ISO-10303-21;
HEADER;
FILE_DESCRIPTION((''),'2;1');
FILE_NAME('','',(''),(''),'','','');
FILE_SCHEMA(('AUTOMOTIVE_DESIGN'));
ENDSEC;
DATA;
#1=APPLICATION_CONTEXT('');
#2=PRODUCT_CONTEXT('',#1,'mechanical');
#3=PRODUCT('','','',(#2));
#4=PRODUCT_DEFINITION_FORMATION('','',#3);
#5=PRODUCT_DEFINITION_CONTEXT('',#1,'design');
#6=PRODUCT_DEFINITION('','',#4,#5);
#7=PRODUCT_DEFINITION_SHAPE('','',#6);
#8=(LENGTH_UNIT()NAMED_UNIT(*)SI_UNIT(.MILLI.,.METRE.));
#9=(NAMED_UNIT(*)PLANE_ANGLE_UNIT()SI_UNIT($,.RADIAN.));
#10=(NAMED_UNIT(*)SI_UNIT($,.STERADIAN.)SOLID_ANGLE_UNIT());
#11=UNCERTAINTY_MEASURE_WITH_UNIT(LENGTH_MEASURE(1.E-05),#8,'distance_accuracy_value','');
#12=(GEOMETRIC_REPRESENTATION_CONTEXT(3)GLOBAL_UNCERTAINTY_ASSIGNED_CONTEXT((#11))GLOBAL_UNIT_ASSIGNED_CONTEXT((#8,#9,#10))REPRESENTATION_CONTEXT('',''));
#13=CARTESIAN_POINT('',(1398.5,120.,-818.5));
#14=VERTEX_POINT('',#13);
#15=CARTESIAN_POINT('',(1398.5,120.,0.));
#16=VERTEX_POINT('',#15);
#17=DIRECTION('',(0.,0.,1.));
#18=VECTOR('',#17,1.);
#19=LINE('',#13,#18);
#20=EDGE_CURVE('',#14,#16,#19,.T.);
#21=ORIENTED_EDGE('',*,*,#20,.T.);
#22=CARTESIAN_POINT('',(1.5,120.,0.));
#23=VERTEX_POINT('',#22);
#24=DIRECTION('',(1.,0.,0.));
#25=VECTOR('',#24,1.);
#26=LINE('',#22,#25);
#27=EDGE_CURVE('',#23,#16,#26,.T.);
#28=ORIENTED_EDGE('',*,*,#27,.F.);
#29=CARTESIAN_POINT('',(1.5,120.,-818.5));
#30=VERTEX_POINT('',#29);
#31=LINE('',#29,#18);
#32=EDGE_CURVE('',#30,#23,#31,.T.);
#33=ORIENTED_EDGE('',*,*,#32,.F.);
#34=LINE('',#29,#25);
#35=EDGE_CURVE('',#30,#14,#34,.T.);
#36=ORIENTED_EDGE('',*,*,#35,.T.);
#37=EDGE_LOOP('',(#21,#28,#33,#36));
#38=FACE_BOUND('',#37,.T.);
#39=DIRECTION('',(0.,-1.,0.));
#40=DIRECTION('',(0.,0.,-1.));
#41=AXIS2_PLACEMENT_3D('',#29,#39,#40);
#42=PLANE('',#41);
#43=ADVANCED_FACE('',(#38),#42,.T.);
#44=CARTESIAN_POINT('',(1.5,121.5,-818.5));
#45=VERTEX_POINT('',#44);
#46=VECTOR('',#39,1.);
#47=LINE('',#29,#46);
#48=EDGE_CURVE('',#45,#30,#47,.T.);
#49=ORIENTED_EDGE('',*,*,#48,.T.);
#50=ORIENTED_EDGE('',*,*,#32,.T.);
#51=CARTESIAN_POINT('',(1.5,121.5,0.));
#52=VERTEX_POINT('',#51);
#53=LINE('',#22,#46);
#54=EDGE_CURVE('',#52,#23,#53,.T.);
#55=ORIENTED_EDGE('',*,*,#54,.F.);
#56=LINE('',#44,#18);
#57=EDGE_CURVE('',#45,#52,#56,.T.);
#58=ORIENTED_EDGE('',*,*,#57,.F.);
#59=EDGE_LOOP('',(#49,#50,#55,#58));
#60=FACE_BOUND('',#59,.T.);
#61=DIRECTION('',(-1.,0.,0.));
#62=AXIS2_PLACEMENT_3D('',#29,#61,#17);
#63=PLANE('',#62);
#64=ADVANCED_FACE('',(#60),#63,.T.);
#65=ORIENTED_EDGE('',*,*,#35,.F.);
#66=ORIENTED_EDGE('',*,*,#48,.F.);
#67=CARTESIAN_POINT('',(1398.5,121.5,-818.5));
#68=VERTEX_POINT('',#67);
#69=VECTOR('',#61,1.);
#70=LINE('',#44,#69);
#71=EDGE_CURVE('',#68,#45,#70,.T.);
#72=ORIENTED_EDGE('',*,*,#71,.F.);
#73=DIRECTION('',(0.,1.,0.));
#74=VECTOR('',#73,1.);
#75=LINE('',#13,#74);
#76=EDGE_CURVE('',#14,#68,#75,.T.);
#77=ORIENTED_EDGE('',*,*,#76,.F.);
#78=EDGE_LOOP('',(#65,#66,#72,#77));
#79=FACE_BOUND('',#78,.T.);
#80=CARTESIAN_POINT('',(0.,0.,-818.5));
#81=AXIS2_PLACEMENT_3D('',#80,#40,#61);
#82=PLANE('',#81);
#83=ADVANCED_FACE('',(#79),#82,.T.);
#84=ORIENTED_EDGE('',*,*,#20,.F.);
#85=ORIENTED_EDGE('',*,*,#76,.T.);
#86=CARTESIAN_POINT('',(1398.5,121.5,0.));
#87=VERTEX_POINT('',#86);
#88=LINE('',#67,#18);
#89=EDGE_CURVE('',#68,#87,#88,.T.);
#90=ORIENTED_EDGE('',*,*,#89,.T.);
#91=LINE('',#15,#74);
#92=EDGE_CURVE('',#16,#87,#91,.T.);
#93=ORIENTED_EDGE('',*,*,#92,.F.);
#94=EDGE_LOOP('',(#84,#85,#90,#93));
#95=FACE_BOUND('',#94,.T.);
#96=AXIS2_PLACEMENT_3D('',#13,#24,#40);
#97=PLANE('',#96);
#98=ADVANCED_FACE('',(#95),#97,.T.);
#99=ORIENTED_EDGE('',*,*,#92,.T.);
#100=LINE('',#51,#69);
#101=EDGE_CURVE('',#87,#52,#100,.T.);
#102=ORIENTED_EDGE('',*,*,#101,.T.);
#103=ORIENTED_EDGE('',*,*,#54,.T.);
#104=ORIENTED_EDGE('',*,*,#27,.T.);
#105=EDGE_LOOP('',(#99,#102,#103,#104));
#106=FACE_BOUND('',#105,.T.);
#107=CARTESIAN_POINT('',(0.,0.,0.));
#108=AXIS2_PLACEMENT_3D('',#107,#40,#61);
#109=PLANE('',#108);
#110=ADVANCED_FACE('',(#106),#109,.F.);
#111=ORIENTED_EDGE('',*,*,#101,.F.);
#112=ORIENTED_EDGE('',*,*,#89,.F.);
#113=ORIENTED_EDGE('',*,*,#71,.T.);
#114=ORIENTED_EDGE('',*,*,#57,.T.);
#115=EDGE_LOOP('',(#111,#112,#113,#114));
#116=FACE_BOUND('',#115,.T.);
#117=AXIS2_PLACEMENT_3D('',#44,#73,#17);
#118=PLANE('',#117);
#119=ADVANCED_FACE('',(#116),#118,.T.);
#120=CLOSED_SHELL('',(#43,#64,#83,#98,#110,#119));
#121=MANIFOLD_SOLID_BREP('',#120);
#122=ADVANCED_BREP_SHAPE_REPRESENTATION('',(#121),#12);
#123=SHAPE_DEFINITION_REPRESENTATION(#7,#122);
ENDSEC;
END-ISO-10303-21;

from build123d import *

# Parameters (mm, degrees)
SKETCH1_W             = 1397
SKETCH1_H             = 1.5
STORE_DIS_ALT_1_DEPTH = 818.5


with BuildPart() as part:
    # Sketch1 → STORE_dis_alt_1 (new body)
    with BuildSketch(Plane.XY):
        with Locations((700, 120.75)):
            Rectangle(SKETCH1_W, SKETCH1_H)
    extrude(amount=-STORE_DIS_ALT_1_DEPTH)


solid = part.part
